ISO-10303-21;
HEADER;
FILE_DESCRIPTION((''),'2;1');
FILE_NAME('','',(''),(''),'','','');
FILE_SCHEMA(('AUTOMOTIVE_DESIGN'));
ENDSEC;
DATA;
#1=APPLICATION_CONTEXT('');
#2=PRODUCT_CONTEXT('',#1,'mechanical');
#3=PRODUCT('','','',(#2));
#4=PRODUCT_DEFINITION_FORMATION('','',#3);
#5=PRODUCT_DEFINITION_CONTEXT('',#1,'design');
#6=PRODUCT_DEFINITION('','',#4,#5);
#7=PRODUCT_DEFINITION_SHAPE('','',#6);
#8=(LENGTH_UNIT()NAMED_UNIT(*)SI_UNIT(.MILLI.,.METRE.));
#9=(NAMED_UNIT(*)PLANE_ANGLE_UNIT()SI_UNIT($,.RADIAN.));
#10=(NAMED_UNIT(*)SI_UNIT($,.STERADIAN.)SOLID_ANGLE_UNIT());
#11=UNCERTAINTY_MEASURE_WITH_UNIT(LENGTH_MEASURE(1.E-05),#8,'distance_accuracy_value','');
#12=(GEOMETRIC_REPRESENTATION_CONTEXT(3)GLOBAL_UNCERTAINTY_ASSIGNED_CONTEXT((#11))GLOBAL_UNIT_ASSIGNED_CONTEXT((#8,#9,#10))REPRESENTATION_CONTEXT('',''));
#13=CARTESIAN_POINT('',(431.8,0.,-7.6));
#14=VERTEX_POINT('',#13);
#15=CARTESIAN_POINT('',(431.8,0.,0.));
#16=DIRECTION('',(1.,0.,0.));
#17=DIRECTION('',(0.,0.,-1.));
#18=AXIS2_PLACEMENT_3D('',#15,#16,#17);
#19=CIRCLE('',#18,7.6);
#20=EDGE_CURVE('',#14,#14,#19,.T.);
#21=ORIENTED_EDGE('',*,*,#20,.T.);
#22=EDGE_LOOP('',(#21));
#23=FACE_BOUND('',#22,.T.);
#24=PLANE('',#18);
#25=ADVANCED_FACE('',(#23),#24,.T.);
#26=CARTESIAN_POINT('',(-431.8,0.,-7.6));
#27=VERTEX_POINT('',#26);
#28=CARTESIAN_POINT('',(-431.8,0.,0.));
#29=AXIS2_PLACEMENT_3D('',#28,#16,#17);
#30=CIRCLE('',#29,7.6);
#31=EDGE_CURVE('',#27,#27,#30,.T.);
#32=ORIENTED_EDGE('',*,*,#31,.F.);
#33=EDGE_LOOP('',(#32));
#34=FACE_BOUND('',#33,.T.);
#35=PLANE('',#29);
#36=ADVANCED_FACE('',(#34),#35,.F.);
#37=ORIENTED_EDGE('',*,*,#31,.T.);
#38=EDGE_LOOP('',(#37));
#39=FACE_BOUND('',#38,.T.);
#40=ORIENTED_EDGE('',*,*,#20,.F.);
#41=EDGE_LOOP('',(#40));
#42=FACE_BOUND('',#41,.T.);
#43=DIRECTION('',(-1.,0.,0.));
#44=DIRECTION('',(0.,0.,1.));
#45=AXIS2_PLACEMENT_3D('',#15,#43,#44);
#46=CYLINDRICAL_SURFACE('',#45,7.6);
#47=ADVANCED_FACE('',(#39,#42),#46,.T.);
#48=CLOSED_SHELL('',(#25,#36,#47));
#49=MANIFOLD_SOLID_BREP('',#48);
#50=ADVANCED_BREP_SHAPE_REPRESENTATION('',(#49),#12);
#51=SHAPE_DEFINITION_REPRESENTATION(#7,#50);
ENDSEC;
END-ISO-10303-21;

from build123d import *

# Parameters (mm, degrees)
SKETCH1_R      = 7.6
EXTRUDE1_DEPTH = 431.8


with BuildPart() as part:
    # Sketch1 → Extrude1 (new, symmetric)
    with BuildSketch(Plane(origin=(0, 0, 0), x_dir=(0, 0, -1), z_dir=(1, 0, 0))):
        Circle(SKETCH1_R)
    extrude(amount=EXTRUDE1_DEPTH, both=True)


solid = part.part
